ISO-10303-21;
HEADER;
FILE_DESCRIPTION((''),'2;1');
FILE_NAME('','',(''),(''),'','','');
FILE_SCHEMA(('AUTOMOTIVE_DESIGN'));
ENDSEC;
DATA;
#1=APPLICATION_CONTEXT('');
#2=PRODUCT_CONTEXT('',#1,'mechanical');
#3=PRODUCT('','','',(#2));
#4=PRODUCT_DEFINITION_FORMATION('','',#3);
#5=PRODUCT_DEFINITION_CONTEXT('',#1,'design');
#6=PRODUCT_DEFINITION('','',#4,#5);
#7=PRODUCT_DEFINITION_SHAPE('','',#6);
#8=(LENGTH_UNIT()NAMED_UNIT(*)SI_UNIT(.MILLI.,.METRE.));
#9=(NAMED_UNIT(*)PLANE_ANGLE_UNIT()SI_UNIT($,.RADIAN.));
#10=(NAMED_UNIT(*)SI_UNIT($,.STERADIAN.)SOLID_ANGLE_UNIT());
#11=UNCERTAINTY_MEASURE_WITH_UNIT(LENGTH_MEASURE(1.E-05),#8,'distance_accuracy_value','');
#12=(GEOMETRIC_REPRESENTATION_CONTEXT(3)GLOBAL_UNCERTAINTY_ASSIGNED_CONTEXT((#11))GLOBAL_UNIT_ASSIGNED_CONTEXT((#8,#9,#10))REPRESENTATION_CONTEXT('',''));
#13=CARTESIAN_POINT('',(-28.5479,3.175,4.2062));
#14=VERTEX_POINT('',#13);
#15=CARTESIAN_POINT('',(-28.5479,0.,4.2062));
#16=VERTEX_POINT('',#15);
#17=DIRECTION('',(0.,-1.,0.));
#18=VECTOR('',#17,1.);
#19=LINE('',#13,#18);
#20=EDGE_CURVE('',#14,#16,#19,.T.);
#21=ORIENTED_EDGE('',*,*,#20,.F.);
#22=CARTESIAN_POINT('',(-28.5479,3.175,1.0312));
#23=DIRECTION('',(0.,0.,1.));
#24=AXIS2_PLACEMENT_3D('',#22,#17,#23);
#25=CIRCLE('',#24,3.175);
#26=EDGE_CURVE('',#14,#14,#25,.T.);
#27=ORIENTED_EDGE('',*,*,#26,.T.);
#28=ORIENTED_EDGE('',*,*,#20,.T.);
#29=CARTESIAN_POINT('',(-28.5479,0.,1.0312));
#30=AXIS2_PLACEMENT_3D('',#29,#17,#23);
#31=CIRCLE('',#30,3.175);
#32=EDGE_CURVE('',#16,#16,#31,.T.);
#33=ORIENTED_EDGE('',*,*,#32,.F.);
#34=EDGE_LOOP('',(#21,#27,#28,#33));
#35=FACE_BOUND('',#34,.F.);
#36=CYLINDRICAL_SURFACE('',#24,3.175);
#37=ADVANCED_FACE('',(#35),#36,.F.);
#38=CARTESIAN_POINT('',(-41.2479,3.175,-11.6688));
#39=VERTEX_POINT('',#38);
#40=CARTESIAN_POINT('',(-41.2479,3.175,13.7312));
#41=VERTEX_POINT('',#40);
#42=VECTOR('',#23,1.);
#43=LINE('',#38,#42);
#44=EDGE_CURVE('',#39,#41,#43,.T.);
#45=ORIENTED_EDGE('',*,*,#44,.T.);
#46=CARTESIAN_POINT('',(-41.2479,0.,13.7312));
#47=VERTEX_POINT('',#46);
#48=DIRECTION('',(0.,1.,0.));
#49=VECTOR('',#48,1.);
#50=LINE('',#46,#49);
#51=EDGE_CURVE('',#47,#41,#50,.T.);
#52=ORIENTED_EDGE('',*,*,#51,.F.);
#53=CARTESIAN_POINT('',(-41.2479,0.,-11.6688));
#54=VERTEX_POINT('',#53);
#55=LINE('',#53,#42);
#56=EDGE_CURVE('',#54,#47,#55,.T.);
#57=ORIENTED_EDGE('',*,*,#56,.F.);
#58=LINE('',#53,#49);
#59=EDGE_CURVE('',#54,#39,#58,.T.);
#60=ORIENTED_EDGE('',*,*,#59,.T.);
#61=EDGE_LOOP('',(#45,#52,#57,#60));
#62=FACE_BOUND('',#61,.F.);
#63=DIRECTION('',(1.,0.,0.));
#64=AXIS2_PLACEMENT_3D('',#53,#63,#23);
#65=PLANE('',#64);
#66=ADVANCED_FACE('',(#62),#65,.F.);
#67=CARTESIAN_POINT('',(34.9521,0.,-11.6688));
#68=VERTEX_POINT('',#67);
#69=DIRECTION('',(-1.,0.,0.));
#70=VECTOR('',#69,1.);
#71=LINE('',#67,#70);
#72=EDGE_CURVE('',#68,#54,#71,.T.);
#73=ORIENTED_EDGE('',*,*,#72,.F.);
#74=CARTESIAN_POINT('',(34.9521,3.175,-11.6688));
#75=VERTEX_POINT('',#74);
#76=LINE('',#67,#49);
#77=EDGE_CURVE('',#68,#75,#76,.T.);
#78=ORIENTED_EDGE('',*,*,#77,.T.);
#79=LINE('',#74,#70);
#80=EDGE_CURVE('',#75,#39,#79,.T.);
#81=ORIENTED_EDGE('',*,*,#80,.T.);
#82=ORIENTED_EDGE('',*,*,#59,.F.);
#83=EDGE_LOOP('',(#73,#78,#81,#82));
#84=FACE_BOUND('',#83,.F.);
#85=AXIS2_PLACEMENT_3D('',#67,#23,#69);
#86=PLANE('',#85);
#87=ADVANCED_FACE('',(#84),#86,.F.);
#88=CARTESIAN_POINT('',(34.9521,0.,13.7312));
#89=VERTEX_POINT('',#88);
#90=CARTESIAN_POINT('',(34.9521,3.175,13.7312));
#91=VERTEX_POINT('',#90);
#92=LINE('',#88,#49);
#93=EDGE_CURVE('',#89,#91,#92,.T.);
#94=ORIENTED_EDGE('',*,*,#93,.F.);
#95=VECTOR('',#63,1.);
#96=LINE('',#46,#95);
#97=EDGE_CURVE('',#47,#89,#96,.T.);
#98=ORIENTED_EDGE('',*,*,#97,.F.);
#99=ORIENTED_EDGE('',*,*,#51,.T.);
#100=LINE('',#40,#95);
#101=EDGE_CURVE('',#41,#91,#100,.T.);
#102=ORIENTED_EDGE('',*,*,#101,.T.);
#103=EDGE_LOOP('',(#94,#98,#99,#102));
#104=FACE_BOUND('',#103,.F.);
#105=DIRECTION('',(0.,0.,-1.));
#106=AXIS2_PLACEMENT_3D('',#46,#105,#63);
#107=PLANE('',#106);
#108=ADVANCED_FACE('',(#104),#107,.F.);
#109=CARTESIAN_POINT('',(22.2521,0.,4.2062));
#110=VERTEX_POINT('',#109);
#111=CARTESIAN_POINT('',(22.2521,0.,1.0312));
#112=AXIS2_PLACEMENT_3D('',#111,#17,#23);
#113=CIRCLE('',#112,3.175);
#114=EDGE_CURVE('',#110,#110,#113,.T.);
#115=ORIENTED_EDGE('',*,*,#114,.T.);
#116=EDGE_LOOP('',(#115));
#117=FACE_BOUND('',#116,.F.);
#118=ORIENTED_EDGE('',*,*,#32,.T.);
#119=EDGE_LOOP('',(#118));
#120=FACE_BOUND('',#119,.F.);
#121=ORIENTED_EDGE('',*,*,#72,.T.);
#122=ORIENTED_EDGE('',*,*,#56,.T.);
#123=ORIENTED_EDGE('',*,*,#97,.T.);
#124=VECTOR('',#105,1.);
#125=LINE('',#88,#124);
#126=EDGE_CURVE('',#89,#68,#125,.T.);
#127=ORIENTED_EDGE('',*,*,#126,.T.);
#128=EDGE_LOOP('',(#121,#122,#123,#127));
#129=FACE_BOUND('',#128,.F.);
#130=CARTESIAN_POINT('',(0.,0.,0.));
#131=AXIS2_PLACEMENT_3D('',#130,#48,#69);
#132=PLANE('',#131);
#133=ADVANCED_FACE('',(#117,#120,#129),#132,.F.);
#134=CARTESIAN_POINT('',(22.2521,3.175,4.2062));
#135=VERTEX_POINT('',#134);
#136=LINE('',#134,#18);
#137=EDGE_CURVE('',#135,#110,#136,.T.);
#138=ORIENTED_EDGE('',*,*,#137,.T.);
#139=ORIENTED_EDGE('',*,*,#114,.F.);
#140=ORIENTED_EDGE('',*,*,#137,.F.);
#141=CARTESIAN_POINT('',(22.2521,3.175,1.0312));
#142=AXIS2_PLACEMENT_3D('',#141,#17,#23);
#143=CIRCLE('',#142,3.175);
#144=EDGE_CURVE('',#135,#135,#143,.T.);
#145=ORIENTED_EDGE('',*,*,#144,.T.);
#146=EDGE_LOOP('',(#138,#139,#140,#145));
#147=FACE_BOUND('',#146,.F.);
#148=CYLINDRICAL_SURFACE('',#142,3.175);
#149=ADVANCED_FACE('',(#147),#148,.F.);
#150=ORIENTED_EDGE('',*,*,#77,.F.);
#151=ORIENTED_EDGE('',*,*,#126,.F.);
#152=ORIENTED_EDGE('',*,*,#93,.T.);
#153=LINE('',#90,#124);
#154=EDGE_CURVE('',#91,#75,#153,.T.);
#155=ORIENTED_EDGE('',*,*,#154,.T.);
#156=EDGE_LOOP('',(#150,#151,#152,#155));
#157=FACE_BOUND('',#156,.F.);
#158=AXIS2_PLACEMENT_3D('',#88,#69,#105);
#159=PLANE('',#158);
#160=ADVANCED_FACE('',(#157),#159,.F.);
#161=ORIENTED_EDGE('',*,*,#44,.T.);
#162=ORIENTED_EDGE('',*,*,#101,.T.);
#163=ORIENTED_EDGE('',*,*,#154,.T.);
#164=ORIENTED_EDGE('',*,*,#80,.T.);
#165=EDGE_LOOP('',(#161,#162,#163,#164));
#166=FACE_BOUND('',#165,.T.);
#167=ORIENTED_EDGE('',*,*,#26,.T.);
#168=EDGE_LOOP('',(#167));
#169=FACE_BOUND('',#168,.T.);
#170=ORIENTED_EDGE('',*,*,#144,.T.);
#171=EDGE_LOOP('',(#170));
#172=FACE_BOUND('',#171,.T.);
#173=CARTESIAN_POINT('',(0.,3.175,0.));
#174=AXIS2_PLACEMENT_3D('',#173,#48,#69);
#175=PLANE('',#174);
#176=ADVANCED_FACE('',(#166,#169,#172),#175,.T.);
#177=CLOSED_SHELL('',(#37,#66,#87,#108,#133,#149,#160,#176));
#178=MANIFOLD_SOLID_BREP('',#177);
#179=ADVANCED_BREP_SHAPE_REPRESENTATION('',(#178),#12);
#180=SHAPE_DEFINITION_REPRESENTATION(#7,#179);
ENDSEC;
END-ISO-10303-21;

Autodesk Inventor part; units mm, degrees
ref_plane "YZ Plane" through (0, 0, 0) normal (1, 0, 0) x (0, 1, 0)
ref_plane "XZ Plane" through (0, 0, 0) normal (0, 1, 0) x (-1, 0, 0)
ref_plane "XY Plane" through (0, 0, 0) normal (0, 0, 1) x (1, 0, 0)
sketch "Sketch1" plane through (0, 0, 0) normal (0, 1, 0) x (-1, 0, 0)
  line L0 (-34.9521, -11.6688) -> (41.2479, -11.6688)
  line L1 (41.2479, -11.6688) -> (41.2479, 13.7312)
  line L2 (41.2479, 13.7312) -> (-34.9521, 13.7312)
  line L3 (-34.9521, 13.7312) -> (-34.9521, -11.6688)
  line L4 (-34.9521, -11.6688) -> (41.2479, 13.7312) construction
  line L5 (41.2479, -11.6688) -> (-34.9521, 13.7312) construction
  point P0 (0, 0)
  point P1 (3.1479, 1.0312)
  dimension "d0" = 76.2
  dimension "d2" = 25.4
extrude "Extrusion1" add sketch "Sketch1" along normal blind 3.175
sketch "Sketch2" plane through (0, 3.175, 0) normal (0, 1, 0) x (1, 0, 0)
  line L0 (34.9521, 11.6688) -> (-41.2479, 11.6688) projected
  line L1 (-41.2479, 11.6688) -> (-41.2479, -13.7312) projected
  line L2 (34.9521, -13.7312) -> (34.9521, 11.6688) projected
  point P0 (0, 0)
  point P1 (-28.5479, -1.0312)
  point P2 (22.2521, -1.0312)
  dimension "d5" = 12.7
  dimension "d6" = 12.7
  dimension "d7" = 12.7
  dimension "d8" = 12.7
hole "Hole1" at (-28.5479, 3.175, 1.0312) at (22.2521, 3.175, 1.0312) direction (0, -1, 0) diameter 6.35 end through all
properties part number "Spacer" material "Aluminum 6061"
